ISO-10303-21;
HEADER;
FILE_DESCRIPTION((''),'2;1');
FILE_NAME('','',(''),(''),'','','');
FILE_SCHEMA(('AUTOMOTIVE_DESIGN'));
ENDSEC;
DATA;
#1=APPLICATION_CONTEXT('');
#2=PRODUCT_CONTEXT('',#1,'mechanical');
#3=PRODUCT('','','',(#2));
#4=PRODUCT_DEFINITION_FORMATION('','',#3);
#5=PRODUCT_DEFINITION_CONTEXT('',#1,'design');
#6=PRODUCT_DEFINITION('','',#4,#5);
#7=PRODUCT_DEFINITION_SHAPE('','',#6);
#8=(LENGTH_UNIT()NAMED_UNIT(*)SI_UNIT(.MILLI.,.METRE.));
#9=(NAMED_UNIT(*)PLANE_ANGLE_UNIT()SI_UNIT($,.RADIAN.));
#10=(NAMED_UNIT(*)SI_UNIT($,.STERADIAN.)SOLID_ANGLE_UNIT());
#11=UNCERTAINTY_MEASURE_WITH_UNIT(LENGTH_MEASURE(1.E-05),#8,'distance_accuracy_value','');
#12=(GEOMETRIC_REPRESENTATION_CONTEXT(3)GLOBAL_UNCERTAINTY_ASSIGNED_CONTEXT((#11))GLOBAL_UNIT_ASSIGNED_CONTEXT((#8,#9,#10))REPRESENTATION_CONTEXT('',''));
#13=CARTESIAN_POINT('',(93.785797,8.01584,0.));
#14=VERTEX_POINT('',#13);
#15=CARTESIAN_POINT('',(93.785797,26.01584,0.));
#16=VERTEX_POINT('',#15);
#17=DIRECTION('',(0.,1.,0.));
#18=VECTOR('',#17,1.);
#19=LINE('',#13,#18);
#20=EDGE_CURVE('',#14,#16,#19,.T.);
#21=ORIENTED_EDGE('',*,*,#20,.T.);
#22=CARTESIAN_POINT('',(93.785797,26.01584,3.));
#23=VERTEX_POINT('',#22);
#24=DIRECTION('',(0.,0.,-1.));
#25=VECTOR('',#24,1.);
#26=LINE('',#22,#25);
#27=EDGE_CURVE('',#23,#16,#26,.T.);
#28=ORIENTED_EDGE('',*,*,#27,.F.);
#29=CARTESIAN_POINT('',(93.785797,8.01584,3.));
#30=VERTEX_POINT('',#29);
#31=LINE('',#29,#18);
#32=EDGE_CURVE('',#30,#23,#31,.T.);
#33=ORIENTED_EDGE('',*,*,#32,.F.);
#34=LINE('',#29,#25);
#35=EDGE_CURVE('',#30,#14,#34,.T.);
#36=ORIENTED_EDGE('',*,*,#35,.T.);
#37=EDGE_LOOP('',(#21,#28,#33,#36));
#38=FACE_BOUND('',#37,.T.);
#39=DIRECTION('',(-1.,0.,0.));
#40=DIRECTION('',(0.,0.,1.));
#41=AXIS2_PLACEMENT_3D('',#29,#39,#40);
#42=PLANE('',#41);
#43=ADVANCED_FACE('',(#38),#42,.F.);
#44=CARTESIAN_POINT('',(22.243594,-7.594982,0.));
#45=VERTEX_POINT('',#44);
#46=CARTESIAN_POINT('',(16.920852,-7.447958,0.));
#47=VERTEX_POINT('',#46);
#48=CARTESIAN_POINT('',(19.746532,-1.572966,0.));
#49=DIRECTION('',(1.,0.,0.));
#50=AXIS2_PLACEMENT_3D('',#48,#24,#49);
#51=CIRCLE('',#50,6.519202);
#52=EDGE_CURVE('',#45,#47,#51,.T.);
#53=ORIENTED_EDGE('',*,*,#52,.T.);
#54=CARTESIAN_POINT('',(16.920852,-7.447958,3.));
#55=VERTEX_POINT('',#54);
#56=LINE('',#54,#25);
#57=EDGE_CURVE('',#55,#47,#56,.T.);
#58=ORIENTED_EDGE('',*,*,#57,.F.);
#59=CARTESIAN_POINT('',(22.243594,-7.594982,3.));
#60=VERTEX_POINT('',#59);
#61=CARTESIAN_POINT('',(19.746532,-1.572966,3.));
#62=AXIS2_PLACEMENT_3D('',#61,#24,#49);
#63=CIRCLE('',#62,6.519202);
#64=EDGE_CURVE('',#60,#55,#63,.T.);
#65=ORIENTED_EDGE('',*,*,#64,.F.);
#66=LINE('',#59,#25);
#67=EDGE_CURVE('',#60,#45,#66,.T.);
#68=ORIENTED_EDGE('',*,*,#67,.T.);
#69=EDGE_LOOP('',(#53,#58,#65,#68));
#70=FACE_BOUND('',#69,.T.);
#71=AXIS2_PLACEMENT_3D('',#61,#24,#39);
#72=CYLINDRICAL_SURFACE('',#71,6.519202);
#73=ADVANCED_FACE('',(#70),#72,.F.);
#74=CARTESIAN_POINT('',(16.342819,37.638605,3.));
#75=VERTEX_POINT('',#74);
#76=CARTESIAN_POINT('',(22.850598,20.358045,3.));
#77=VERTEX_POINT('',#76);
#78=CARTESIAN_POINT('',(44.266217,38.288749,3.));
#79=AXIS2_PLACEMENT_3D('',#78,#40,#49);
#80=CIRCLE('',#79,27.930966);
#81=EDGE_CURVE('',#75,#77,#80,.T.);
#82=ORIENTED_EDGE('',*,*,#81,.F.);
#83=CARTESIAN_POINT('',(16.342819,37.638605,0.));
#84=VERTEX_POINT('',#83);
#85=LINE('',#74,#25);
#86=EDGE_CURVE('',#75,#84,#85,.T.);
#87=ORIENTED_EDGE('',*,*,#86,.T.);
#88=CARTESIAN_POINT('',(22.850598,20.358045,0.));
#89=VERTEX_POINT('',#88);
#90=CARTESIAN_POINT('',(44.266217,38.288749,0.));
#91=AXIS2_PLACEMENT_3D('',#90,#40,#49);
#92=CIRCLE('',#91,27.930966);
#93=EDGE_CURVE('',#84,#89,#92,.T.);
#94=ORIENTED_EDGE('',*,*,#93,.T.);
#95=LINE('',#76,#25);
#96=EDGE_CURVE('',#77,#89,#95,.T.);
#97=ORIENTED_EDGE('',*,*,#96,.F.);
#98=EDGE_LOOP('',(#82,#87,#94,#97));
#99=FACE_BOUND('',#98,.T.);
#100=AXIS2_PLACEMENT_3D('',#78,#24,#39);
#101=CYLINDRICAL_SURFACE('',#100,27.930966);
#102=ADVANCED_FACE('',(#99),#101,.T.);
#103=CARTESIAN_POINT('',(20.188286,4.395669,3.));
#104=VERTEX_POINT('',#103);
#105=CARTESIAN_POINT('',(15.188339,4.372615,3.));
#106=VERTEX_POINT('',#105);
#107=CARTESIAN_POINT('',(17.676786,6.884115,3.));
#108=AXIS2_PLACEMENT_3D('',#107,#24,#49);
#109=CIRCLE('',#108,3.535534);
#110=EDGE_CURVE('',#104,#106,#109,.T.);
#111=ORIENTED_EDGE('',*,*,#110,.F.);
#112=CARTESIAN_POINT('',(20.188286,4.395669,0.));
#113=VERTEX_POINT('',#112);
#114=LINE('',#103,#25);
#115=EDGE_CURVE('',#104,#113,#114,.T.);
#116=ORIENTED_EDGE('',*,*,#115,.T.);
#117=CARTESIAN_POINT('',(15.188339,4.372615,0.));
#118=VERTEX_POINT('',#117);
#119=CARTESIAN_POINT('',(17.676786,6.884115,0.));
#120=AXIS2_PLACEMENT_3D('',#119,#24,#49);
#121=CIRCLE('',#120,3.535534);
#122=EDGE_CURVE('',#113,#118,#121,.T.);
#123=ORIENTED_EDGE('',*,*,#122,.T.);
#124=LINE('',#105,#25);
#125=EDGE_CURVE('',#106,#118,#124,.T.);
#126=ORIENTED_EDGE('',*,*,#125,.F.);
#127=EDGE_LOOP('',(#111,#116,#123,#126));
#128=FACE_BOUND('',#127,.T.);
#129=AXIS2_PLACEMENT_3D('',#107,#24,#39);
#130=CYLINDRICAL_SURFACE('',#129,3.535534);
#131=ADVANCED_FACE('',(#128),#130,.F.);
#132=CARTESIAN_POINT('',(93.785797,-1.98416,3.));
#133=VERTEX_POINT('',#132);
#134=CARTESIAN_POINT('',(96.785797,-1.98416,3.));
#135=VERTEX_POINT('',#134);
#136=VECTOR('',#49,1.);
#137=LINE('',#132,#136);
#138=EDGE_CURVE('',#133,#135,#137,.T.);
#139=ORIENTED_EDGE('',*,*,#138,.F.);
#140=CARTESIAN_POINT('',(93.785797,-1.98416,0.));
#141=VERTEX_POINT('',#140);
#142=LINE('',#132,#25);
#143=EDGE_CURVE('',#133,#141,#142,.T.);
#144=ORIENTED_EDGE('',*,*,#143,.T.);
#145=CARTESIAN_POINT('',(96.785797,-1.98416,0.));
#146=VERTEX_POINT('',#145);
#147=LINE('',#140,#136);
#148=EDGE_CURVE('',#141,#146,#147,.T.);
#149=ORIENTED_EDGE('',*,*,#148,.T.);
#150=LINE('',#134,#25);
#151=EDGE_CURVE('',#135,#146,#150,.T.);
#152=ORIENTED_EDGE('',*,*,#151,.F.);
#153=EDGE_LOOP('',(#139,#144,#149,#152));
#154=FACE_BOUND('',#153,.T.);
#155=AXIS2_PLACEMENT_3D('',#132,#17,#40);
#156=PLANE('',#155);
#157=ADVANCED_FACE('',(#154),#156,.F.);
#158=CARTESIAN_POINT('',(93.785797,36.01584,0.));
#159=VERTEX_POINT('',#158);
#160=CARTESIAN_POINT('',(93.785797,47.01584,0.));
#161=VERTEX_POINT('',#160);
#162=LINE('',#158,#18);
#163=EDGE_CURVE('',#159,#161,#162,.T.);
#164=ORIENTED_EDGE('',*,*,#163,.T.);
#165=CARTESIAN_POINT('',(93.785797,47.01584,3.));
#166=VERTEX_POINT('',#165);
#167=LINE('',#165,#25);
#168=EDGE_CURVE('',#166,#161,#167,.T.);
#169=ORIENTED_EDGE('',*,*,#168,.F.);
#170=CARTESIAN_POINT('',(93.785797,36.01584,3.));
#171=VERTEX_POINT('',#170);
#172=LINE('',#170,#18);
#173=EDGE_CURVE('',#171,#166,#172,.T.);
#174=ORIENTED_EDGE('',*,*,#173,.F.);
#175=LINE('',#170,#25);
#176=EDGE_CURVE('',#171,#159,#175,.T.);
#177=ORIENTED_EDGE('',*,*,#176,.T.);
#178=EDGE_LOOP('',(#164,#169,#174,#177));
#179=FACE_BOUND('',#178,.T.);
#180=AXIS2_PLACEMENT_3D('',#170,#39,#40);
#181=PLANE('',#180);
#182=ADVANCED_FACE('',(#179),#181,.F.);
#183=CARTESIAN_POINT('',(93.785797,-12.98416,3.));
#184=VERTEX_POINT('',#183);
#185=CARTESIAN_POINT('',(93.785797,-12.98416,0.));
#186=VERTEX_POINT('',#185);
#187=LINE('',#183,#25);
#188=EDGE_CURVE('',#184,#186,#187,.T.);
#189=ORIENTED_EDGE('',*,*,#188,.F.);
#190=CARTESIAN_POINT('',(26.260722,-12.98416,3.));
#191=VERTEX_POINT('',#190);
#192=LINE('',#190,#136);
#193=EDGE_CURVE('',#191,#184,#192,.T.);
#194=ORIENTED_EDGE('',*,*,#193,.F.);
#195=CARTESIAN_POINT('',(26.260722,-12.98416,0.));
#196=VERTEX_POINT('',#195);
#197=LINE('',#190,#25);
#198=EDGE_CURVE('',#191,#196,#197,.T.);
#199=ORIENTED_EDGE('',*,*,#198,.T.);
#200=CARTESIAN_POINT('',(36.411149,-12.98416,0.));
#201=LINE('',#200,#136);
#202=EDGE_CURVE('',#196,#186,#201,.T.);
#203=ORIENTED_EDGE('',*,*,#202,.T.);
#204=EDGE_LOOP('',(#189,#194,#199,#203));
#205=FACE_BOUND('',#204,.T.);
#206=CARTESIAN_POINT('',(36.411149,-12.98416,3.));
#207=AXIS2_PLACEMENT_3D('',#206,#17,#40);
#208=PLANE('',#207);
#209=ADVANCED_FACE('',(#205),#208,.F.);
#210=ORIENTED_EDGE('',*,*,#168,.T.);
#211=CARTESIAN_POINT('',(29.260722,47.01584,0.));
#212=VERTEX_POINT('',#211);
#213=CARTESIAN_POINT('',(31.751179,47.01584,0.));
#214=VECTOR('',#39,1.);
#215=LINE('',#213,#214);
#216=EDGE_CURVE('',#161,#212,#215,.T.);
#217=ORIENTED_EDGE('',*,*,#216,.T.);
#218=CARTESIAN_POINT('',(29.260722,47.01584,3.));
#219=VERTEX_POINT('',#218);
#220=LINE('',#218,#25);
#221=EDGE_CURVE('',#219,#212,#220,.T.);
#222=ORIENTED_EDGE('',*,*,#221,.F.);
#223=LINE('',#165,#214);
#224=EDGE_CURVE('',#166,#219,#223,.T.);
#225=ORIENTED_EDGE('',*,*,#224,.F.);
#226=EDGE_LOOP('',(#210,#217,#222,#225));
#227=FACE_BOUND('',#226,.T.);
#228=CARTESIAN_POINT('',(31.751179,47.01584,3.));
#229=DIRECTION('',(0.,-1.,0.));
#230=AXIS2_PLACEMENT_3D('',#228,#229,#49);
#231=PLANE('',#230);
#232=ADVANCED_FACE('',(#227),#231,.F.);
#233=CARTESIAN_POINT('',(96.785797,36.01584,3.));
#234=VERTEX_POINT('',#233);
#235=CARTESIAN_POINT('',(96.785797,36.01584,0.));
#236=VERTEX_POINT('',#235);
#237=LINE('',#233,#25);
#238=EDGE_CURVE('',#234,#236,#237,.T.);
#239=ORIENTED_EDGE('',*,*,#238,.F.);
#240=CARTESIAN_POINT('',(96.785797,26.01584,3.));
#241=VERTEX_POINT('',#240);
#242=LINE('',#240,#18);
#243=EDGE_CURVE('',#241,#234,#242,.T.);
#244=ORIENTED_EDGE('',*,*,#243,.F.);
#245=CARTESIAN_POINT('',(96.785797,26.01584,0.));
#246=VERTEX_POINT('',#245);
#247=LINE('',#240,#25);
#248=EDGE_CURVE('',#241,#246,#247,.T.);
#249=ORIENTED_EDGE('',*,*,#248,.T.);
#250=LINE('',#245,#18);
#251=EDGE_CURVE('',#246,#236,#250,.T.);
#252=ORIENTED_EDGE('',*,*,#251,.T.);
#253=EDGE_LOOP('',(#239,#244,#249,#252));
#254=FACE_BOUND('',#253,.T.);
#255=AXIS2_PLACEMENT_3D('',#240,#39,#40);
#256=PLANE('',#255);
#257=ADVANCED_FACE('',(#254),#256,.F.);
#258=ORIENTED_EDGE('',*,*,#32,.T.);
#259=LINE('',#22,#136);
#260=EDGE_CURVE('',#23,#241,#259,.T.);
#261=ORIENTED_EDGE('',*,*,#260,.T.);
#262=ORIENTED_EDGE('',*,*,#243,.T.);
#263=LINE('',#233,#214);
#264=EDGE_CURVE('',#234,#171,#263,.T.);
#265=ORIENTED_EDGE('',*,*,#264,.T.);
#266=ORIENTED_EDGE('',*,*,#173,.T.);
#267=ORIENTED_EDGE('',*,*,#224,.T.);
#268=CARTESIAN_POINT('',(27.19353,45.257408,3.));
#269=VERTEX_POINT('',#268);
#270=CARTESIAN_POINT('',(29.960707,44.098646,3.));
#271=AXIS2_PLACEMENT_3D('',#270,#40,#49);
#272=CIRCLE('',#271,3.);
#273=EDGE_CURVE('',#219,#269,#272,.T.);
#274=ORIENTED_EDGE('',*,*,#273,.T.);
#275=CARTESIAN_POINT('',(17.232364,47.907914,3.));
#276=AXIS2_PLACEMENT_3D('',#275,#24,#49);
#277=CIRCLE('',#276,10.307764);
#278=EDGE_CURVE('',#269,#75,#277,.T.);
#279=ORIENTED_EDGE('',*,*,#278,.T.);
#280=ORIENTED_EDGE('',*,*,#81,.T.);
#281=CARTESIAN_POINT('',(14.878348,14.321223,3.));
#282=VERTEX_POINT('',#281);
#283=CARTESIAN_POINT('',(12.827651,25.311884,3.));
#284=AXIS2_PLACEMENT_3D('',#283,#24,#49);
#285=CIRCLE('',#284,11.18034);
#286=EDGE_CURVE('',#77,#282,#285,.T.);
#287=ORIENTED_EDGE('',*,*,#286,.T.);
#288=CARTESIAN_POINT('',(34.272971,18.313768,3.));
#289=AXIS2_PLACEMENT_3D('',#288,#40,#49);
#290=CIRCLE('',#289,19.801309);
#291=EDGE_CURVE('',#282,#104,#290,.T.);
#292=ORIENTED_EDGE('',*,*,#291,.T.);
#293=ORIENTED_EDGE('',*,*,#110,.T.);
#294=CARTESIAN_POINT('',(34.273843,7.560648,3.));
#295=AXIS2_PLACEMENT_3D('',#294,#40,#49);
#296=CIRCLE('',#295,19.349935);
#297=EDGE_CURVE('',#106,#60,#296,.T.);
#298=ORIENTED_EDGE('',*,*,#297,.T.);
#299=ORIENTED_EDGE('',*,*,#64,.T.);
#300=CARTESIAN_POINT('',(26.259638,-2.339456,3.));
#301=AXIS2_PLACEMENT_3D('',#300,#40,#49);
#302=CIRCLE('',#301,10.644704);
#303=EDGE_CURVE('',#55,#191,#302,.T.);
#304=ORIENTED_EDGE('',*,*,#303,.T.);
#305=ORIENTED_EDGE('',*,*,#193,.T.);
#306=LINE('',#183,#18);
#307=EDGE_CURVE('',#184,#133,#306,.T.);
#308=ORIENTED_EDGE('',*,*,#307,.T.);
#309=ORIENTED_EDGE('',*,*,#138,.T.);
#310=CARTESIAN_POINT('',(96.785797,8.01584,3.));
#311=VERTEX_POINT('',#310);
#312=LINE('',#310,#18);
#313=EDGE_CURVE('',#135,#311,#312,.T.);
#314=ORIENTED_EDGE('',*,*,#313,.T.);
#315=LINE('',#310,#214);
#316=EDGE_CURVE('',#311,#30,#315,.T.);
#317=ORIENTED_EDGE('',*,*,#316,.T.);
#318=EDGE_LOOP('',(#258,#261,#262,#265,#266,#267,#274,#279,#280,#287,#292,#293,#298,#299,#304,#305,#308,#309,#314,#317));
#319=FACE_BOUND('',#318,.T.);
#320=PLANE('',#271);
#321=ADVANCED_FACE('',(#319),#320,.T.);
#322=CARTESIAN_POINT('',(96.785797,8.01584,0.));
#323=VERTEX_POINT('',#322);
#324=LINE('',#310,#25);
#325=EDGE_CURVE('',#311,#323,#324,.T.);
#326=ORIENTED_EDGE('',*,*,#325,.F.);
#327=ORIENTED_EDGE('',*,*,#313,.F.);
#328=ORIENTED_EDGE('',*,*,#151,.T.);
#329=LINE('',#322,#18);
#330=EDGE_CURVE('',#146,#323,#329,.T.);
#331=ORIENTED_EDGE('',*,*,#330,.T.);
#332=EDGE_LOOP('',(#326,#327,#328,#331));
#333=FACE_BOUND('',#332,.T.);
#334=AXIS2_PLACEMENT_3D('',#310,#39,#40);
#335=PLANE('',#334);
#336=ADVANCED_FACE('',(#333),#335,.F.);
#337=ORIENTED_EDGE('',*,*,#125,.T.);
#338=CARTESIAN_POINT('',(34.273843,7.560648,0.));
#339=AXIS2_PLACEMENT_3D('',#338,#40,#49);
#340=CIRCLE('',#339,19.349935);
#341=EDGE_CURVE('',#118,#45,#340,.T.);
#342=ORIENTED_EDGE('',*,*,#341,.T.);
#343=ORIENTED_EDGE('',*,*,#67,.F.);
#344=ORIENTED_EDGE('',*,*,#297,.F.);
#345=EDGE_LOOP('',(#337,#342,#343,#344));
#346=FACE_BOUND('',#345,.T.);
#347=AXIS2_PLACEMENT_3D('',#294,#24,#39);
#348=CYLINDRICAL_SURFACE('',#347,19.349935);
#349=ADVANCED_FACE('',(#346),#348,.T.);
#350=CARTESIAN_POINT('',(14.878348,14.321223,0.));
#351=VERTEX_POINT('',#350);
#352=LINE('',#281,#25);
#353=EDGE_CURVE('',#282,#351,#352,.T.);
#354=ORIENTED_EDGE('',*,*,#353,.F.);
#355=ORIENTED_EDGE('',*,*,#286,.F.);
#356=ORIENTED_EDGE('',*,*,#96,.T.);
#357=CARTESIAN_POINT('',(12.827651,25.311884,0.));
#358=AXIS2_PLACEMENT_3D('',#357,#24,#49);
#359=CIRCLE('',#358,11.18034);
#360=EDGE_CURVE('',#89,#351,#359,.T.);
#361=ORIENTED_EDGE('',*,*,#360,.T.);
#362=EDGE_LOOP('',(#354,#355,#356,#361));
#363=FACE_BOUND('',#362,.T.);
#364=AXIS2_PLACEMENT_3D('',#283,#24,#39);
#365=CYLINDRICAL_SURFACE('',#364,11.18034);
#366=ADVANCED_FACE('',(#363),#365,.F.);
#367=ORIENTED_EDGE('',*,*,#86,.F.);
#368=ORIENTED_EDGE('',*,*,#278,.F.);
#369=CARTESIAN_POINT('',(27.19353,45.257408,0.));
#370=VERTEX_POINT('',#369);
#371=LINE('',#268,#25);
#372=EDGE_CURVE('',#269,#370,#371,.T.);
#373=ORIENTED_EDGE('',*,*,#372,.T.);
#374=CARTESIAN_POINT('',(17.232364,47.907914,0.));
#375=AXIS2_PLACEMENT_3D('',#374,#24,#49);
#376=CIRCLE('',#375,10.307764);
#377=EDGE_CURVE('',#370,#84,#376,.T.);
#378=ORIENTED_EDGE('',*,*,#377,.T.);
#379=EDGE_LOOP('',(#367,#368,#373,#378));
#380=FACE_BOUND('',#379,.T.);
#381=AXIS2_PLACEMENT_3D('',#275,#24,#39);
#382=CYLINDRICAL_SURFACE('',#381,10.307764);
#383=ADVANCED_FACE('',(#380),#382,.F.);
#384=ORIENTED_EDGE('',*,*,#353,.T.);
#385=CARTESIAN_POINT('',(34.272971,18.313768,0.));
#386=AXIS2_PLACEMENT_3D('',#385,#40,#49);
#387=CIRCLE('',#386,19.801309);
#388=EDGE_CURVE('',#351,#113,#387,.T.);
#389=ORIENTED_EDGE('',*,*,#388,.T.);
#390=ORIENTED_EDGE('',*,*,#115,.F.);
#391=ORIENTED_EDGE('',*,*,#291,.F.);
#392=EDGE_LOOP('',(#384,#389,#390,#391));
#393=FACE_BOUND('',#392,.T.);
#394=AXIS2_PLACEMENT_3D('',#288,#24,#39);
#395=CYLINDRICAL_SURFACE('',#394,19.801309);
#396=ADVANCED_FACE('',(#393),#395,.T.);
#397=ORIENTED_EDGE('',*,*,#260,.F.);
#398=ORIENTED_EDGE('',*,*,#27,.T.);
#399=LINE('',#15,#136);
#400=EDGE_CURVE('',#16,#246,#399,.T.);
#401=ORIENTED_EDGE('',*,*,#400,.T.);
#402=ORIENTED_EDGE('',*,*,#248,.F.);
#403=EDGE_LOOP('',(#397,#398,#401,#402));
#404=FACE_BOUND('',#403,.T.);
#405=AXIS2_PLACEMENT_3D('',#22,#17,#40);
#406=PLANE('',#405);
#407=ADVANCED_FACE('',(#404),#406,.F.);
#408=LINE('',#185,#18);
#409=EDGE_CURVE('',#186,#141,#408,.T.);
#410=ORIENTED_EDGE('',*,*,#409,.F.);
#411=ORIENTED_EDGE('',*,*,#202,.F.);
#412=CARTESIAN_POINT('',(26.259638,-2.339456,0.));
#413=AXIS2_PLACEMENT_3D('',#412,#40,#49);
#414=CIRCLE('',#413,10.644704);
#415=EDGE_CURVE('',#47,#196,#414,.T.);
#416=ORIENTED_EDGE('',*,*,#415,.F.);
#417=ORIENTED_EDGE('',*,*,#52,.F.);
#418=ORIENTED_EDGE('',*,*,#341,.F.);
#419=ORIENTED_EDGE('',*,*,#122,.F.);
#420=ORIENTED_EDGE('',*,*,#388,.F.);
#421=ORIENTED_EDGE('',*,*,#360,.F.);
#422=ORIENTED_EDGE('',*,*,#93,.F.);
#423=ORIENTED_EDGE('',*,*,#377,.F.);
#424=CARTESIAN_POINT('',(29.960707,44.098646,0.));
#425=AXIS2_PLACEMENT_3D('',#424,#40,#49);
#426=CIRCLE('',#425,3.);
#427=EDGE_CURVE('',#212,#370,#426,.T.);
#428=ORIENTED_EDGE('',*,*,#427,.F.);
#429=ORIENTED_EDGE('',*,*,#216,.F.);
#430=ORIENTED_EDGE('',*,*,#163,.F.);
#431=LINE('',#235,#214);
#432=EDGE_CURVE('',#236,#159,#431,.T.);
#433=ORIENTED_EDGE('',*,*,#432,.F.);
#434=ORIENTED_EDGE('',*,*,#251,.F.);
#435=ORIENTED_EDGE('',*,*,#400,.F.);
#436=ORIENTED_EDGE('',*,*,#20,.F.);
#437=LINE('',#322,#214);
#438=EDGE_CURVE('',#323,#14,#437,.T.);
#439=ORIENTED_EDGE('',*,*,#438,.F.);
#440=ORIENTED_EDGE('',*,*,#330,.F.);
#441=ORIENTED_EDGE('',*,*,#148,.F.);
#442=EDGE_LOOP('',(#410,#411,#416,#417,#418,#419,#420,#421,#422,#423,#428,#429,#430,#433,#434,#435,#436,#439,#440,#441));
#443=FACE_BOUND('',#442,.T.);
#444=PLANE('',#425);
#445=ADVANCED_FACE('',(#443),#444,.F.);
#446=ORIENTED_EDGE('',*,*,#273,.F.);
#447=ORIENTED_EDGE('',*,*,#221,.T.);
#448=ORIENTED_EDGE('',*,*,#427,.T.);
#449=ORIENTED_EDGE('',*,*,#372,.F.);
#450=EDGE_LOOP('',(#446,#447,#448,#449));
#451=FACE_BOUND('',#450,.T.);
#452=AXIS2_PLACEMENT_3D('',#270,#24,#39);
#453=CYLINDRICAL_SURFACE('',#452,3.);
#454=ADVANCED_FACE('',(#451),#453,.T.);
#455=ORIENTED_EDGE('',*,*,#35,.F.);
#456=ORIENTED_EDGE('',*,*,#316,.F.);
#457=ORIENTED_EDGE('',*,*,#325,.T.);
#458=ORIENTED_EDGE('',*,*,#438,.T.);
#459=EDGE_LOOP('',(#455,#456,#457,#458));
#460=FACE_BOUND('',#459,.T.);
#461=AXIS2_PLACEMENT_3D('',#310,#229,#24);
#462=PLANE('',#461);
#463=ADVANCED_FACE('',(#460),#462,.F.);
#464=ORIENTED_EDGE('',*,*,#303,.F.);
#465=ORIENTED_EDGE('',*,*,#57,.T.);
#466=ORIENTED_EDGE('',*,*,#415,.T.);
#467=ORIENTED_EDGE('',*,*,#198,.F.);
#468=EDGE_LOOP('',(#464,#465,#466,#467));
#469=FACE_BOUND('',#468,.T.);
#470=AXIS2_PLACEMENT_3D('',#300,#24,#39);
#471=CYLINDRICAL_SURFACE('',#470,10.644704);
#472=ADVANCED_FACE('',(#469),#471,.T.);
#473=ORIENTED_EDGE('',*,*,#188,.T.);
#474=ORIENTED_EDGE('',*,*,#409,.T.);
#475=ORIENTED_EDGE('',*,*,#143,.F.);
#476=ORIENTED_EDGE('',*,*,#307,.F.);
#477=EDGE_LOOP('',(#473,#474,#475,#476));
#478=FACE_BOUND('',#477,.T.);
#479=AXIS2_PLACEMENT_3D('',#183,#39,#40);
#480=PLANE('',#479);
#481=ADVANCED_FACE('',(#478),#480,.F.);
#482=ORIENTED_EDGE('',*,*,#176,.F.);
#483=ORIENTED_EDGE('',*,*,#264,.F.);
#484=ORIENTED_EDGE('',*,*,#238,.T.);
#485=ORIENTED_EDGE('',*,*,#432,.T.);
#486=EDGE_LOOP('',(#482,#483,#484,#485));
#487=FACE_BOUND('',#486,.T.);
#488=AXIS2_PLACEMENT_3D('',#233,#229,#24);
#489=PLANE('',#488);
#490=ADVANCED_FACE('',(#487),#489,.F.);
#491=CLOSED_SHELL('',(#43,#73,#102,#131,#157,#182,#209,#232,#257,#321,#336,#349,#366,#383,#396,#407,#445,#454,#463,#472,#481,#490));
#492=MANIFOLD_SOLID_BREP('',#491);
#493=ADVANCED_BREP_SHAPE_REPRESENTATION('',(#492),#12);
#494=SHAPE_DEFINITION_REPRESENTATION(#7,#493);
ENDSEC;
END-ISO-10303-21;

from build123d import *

# Parameters (mm, degrees)
SALIENTE_EXTRUIR1_DEPTH = 3


with BuildPart() as part:
    # Model → Saliente-Extruir1 (new body)
    with BuildSketch(Plane.XY):
        with BuildLine():
            Line((96.785797009, 36.015840028), (93.785797009, 36.015840028))
            Line((93.785797009, 36.015840028), (93.785797009, 47.015840028))
            Line((93.785797009, 47.015840028), (31.751178944, 47.015840028))
            Line((31.751178944, 47.015840028), (29.260721948, 47.015840028))
            ThreePointArc((29.260721948, 47.015840028), (28.01691559, 46.383744396), (27.193529557, 45.257407597))
            ThreePointArc((27.193529557, 45.257407597), (23.155632663, 39.471985621), (16.34281865, 37.638605137))
            ThreePointArc((16.34281865, 37.638605137), (18.127374477, 28.444980745), (22.850598251, 20.358045222))
            ThreePointArc((22.850598251, 20.358045222), (19.57702332, 16.398637511), (14.878347932, 14.321222809))
            ThreePointArc((14.878347932, 14.321222809), (16.813155193, 8.973175992), (20.188286302, 4.395668604))
            ThreePointArc((20.188286302, 4.395668604), (17.693087489, 3.34861877), (15.188339451, 4.372614734))
            ThreePointArc((15.188339451, 4.372614734), (17.604909212, -2.266185371), (22.24359433, -7.594982292))
            ThreePointArc((22.24359433, -7.594982292), (19.566527855, -8.089682901), (16.920851616, -7.447958005))
            ThreePointArc((16.920851616, -7.447958005), (20.831880227, -11.496375144), (26.260721948, -12.984159972))
            Line((26.260721948, -12.984159972), (36.41114869, -12.984159972))
            Line((36.41114869, -12.984159972), (93.785797009, -12.984159972))
            Line((93.785797009, -12.984159972), (93.785797009, -1.984159972))
            Line((93.785797009, -1.984159972), (96.785797009, -1.984159972))
            Line((96.785797009, -1.984159972), (96.785797009, 8.015840028))
            Line((96.785797009, 8.015840028), (93.785797009, 8.015840028))
            Line((93.785797009, 8.015840028), (93.785797009, 26.015840028))
            Line((93.785797009, 26.015840028), (96.785797009, 26.015840028))
            Line((96.785797009, 26.015840028), (96.785797009, 36.015840028))
        make_face()
    extrude(amount=SALIENTE_EXTRUIR1_DEPTH)


solid = part.part
